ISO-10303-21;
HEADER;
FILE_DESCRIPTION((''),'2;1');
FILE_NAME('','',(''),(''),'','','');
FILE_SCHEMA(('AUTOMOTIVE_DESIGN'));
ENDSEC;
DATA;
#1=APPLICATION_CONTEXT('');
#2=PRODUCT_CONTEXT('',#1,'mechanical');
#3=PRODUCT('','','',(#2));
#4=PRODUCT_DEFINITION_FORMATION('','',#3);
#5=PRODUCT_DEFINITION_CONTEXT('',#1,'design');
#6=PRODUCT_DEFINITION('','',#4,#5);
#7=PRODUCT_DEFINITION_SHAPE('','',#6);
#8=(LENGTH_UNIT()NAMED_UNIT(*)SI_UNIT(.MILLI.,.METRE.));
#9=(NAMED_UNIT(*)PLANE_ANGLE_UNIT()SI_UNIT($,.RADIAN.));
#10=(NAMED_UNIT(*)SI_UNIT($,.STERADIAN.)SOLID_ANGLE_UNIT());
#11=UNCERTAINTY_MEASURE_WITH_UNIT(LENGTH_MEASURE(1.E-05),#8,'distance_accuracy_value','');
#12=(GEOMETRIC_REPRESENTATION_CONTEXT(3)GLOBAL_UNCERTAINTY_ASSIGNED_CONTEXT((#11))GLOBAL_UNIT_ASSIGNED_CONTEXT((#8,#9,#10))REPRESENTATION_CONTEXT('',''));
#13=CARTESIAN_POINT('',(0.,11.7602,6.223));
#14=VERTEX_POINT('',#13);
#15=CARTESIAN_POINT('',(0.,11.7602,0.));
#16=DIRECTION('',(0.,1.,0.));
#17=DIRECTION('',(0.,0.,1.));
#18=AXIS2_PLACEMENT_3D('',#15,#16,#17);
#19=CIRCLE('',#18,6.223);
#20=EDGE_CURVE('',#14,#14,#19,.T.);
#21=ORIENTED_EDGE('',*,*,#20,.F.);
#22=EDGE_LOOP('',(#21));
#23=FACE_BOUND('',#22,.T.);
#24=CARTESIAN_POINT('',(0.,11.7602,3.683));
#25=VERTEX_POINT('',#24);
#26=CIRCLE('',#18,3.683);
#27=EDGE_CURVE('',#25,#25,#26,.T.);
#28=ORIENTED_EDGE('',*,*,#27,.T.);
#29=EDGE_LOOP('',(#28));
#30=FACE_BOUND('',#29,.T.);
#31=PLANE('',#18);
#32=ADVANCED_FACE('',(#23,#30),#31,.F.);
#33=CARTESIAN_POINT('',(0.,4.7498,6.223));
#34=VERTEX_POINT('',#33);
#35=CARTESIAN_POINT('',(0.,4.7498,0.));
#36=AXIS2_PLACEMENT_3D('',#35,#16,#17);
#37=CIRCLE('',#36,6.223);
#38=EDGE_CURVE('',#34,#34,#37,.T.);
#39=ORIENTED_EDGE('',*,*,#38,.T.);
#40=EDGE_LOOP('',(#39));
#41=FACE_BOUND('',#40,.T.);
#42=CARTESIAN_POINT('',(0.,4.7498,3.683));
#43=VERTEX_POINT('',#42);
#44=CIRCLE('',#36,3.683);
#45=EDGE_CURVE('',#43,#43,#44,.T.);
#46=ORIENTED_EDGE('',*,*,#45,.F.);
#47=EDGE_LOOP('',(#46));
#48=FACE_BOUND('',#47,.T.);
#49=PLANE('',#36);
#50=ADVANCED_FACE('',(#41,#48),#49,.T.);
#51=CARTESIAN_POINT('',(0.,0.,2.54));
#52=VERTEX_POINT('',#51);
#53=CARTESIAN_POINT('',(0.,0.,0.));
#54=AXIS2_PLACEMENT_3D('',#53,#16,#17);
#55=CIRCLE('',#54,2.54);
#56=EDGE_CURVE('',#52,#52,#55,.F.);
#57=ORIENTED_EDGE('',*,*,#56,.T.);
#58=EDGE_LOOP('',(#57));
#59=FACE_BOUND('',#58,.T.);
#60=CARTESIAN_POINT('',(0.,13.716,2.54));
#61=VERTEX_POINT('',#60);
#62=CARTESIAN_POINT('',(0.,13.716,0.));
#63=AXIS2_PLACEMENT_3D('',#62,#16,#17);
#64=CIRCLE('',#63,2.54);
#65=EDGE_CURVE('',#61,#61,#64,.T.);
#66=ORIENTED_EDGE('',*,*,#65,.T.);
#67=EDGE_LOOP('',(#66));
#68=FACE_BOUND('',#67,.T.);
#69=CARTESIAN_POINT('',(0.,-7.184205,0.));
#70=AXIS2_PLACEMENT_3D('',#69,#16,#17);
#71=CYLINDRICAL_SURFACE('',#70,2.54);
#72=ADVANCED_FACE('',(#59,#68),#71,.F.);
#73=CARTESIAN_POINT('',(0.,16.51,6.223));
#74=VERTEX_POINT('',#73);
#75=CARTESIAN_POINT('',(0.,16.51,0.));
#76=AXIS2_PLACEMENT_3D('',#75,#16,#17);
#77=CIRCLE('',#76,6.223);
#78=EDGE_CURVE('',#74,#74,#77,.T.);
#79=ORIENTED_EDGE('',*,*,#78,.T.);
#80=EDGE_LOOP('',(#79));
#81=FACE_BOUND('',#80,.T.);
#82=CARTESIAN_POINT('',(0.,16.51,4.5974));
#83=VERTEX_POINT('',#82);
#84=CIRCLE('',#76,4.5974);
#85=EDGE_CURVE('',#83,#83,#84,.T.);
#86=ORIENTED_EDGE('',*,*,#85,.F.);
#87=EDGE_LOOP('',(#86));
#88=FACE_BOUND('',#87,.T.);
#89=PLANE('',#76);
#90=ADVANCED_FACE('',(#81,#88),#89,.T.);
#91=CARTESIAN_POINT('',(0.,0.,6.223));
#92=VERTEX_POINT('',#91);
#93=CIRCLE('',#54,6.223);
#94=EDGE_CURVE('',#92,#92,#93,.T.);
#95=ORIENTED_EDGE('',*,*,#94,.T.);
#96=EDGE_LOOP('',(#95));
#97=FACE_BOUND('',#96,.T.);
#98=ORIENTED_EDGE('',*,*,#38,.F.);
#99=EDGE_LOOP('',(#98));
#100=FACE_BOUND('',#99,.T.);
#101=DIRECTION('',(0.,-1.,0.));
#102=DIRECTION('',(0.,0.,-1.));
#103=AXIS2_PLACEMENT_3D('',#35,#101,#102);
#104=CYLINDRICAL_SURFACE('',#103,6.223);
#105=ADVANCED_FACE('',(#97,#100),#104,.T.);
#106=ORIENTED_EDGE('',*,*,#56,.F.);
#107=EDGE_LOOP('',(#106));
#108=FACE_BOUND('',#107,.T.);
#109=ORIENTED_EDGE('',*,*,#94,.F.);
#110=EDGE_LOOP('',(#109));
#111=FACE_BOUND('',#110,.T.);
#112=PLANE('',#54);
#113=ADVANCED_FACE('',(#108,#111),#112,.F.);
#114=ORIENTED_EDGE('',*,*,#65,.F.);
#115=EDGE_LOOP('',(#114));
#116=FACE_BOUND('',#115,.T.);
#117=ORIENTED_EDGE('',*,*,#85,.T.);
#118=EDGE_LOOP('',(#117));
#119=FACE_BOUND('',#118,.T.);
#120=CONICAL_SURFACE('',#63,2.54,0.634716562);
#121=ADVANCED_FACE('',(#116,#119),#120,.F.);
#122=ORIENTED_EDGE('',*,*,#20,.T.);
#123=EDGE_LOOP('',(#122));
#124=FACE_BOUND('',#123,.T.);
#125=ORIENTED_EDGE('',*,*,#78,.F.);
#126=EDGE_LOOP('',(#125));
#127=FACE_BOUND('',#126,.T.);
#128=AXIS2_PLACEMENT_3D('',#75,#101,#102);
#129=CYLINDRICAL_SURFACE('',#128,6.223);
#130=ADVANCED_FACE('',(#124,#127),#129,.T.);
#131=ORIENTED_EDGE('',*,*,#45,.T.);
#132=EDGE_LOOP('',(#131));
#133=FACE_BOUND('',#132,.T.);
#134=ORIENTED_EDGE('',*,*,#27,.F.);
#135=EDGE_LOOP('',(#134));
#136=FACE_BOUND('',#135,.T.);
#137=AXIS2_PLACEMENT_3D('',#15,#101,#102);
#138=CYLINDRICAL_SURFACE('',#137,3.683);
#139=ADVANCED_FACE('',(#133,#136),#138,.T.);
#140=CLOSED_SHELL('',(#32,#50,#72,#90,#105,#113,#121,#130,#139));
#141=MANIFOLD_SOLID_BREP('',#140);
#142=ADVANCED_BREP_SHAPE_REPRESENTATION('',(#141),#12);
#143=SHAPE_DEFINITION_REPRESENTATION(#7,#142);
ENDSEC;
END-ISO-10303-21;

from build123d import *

# Parameters (mm, degrees)
SKETCH1_R           = 6.223
BOSS_EXTRUDE1_DEPTH = 4.7498
SKETCH2_R           = 3.683
BOSS_EXTRUDE2_DEPTH = 7.0104
SKETCH3_R           = 6.223
BOSS_EXTRUDE3_DEPTH = 4.7498
SKETCH4_R           = 2.54
CUT_EXTRUDE1_DEPTH  = 16.51


with BuildPart() as part:
    # Sketch1 → Boss-Extrude1 (new body)
    with BuildSketch(Plane(origin=(0, 0, 0), x_dir=(1, 0, 0), z_dir=(0, 1, 0))):
        Circle(SKETCH1_R)
    extrude(amount=BOSS_EXTRUDE1_DEPTH)

    # Sketch2 → Boss-Extrude2 (add)
    with BuildSketch(Plane(origin=(0, 4.7498, 0), x_dir=(1, 0, 0), z_dir=(0, 1, 0))):
        Circle(SKETCH2_R)
    extrude(amount=BOSS_EXTRUDE2_DEPTH)

    # Sketch3 → Boss-Extrude3 (add)
    with BuildSketch(Plane(origin=(0, 11.7602, 0), x_dir=(1, 0, 0), z_dir=(0, 1, 0))):
        Circle(SKETCH3_R)
    extrude(amount=BOSS_EXTRUDE3_DEPTH)

    # Sketch4 → Cut-Extrude1 (cut)
    with BuildSketch(Plane(origin=(0, 16.51, 0), x_dir=(1, 0, 0), z_dir=(0, 1, 0))):
        Circle(SKETCH4_R)
    extrude(amount=-CUT_EXTRUDE1_DEPTH, mode=Mode.SUBTRACT)

    # Sketch5 → Cut-Revolve1 (revolve, cut)
    with BuildSketch(Plane(origin=(0, 0, 0), x_dir=(0, 0, -1), z_dir=(1, 0, 0))):
        Polygon((0, 16.51), (0, 13.716), (2.54, 13.716), (4.5974, 16.51), align=None)
    revolve(axis=Axis((0, 16.51, 0), (0, -1, 0)), mode=Mode.SUBTRACT)


solid = part.part
